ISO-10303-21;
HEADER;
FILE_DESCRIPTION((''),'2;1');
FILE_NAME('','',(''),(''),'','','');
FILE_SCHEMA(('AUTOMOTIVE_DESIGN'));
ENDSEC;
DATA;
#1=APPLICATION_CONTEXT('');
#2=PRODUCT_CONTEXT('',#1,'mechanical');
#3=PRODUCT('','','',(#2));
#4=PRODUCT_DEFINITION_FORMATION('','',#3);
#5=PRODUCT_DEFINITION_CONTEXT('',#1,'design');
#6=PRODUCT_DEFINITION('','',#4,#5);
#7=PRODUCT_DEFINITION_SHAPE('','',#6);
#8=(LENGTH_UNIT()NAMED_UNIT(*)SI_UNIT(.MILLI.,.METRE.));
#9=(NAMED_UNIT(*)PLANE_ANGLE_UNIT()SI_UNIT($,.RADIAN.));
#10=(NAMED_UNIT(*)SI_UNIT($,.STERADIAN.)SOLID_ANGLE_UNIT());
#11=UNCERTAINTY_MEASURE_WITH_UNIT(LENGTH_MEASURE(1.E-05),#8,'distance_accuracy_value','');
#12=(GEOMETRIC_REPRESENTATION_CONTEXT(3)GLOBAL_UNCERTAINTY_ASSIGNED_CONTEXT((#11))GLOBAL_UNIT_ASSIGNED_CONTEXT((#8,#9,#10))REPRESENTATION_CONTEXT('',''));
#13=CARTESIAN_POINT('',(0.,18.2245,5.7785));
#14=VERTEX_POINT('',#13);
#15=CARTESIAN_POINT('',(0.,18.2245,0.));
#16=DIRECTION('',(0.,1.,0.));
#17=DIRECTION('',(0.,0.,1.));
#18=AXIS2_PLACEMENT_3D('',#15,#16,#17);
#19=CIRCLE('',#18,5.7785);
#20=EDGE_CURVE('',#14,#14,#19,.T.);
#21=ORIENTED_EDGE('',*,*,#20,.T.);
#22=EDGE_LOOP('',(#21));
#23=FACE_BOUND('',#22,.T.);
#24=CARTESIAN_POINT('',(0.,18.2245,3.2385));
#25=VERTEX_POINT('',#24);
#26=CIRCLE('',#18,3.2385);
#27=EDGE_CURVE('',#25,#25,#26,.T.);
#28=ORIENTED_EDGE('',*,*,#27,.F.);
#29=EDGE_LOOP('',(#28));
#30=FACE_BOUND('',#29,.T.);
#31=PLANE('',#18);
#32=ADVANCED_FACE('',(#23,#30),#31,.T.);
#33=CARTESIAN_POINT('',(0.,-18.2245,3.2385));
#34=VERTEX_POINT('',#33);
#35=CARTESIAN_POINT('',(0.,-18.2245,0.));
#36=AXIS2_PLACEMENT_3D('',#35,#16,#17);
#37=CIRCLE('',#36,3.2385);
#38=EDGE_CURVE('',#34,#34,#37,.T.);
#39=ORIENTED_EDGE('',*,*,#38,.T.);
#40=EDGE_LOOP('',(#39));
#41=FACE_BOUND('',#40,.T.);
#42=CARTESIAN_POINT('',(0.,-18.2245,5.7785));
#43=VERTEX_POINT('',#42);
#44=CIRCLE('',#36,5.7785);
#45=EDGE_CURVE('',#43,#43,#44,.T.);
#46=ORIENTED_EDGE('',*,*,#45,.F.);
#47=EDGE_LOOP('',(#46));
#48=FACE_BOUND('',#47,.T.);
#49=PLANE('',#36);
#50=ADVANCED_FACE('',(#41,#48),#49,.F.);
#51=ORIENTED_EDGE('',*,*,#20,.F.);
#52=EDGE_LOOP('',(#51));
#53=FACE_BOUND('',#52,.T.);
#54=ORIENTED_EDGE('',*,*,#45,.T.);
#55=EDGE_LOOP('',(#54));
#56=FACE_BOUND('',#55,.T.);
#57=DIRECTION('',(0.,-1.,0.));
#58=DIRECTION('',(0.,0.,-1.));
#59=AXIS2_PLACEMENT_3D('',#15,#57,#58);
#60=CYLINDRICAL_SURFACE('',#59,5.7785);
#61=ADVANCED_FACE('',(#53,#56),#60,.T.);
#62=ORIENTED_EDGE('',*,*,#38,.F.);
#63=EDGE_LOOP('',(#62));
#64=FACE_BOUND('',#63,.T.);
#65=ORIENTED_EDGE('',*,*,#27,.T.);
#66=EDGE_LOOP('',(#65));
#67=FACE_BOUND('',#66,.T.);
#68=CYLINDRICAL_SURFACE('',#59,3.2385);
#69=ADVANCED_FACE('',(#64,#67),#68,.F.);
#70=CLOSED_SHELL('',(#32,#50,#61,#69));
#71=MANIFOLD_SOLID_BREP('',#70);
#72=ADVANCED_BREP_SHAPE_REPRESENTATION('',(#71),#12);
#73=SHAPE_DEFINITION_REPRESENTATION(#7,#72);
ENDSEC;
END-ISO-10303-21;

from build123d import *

# Parameters (mm, degrees)
SKETCH1_R           = 5.7785
SKETCH1_R_2         = 3.2385
BOSS_EXTRUDE1_DEPTH = 18.2245


with BuildPart() as part:
    # Sketch1 → Boss-Extrude1 (new body, symmetric)
    with BuildSketch(Plane(origin=(0, 0, 0), x_dir=(1, 0, 0), z_dir=(0, 1, 0))):
        Circle(SKETCH1_R)
        Circle(SKETCH1_R_2, mode=Mode.SUBTRACT)
    extrude(amount=BOSS_EXTRUDE1_DEPTH, both=True)


solid = part.part
